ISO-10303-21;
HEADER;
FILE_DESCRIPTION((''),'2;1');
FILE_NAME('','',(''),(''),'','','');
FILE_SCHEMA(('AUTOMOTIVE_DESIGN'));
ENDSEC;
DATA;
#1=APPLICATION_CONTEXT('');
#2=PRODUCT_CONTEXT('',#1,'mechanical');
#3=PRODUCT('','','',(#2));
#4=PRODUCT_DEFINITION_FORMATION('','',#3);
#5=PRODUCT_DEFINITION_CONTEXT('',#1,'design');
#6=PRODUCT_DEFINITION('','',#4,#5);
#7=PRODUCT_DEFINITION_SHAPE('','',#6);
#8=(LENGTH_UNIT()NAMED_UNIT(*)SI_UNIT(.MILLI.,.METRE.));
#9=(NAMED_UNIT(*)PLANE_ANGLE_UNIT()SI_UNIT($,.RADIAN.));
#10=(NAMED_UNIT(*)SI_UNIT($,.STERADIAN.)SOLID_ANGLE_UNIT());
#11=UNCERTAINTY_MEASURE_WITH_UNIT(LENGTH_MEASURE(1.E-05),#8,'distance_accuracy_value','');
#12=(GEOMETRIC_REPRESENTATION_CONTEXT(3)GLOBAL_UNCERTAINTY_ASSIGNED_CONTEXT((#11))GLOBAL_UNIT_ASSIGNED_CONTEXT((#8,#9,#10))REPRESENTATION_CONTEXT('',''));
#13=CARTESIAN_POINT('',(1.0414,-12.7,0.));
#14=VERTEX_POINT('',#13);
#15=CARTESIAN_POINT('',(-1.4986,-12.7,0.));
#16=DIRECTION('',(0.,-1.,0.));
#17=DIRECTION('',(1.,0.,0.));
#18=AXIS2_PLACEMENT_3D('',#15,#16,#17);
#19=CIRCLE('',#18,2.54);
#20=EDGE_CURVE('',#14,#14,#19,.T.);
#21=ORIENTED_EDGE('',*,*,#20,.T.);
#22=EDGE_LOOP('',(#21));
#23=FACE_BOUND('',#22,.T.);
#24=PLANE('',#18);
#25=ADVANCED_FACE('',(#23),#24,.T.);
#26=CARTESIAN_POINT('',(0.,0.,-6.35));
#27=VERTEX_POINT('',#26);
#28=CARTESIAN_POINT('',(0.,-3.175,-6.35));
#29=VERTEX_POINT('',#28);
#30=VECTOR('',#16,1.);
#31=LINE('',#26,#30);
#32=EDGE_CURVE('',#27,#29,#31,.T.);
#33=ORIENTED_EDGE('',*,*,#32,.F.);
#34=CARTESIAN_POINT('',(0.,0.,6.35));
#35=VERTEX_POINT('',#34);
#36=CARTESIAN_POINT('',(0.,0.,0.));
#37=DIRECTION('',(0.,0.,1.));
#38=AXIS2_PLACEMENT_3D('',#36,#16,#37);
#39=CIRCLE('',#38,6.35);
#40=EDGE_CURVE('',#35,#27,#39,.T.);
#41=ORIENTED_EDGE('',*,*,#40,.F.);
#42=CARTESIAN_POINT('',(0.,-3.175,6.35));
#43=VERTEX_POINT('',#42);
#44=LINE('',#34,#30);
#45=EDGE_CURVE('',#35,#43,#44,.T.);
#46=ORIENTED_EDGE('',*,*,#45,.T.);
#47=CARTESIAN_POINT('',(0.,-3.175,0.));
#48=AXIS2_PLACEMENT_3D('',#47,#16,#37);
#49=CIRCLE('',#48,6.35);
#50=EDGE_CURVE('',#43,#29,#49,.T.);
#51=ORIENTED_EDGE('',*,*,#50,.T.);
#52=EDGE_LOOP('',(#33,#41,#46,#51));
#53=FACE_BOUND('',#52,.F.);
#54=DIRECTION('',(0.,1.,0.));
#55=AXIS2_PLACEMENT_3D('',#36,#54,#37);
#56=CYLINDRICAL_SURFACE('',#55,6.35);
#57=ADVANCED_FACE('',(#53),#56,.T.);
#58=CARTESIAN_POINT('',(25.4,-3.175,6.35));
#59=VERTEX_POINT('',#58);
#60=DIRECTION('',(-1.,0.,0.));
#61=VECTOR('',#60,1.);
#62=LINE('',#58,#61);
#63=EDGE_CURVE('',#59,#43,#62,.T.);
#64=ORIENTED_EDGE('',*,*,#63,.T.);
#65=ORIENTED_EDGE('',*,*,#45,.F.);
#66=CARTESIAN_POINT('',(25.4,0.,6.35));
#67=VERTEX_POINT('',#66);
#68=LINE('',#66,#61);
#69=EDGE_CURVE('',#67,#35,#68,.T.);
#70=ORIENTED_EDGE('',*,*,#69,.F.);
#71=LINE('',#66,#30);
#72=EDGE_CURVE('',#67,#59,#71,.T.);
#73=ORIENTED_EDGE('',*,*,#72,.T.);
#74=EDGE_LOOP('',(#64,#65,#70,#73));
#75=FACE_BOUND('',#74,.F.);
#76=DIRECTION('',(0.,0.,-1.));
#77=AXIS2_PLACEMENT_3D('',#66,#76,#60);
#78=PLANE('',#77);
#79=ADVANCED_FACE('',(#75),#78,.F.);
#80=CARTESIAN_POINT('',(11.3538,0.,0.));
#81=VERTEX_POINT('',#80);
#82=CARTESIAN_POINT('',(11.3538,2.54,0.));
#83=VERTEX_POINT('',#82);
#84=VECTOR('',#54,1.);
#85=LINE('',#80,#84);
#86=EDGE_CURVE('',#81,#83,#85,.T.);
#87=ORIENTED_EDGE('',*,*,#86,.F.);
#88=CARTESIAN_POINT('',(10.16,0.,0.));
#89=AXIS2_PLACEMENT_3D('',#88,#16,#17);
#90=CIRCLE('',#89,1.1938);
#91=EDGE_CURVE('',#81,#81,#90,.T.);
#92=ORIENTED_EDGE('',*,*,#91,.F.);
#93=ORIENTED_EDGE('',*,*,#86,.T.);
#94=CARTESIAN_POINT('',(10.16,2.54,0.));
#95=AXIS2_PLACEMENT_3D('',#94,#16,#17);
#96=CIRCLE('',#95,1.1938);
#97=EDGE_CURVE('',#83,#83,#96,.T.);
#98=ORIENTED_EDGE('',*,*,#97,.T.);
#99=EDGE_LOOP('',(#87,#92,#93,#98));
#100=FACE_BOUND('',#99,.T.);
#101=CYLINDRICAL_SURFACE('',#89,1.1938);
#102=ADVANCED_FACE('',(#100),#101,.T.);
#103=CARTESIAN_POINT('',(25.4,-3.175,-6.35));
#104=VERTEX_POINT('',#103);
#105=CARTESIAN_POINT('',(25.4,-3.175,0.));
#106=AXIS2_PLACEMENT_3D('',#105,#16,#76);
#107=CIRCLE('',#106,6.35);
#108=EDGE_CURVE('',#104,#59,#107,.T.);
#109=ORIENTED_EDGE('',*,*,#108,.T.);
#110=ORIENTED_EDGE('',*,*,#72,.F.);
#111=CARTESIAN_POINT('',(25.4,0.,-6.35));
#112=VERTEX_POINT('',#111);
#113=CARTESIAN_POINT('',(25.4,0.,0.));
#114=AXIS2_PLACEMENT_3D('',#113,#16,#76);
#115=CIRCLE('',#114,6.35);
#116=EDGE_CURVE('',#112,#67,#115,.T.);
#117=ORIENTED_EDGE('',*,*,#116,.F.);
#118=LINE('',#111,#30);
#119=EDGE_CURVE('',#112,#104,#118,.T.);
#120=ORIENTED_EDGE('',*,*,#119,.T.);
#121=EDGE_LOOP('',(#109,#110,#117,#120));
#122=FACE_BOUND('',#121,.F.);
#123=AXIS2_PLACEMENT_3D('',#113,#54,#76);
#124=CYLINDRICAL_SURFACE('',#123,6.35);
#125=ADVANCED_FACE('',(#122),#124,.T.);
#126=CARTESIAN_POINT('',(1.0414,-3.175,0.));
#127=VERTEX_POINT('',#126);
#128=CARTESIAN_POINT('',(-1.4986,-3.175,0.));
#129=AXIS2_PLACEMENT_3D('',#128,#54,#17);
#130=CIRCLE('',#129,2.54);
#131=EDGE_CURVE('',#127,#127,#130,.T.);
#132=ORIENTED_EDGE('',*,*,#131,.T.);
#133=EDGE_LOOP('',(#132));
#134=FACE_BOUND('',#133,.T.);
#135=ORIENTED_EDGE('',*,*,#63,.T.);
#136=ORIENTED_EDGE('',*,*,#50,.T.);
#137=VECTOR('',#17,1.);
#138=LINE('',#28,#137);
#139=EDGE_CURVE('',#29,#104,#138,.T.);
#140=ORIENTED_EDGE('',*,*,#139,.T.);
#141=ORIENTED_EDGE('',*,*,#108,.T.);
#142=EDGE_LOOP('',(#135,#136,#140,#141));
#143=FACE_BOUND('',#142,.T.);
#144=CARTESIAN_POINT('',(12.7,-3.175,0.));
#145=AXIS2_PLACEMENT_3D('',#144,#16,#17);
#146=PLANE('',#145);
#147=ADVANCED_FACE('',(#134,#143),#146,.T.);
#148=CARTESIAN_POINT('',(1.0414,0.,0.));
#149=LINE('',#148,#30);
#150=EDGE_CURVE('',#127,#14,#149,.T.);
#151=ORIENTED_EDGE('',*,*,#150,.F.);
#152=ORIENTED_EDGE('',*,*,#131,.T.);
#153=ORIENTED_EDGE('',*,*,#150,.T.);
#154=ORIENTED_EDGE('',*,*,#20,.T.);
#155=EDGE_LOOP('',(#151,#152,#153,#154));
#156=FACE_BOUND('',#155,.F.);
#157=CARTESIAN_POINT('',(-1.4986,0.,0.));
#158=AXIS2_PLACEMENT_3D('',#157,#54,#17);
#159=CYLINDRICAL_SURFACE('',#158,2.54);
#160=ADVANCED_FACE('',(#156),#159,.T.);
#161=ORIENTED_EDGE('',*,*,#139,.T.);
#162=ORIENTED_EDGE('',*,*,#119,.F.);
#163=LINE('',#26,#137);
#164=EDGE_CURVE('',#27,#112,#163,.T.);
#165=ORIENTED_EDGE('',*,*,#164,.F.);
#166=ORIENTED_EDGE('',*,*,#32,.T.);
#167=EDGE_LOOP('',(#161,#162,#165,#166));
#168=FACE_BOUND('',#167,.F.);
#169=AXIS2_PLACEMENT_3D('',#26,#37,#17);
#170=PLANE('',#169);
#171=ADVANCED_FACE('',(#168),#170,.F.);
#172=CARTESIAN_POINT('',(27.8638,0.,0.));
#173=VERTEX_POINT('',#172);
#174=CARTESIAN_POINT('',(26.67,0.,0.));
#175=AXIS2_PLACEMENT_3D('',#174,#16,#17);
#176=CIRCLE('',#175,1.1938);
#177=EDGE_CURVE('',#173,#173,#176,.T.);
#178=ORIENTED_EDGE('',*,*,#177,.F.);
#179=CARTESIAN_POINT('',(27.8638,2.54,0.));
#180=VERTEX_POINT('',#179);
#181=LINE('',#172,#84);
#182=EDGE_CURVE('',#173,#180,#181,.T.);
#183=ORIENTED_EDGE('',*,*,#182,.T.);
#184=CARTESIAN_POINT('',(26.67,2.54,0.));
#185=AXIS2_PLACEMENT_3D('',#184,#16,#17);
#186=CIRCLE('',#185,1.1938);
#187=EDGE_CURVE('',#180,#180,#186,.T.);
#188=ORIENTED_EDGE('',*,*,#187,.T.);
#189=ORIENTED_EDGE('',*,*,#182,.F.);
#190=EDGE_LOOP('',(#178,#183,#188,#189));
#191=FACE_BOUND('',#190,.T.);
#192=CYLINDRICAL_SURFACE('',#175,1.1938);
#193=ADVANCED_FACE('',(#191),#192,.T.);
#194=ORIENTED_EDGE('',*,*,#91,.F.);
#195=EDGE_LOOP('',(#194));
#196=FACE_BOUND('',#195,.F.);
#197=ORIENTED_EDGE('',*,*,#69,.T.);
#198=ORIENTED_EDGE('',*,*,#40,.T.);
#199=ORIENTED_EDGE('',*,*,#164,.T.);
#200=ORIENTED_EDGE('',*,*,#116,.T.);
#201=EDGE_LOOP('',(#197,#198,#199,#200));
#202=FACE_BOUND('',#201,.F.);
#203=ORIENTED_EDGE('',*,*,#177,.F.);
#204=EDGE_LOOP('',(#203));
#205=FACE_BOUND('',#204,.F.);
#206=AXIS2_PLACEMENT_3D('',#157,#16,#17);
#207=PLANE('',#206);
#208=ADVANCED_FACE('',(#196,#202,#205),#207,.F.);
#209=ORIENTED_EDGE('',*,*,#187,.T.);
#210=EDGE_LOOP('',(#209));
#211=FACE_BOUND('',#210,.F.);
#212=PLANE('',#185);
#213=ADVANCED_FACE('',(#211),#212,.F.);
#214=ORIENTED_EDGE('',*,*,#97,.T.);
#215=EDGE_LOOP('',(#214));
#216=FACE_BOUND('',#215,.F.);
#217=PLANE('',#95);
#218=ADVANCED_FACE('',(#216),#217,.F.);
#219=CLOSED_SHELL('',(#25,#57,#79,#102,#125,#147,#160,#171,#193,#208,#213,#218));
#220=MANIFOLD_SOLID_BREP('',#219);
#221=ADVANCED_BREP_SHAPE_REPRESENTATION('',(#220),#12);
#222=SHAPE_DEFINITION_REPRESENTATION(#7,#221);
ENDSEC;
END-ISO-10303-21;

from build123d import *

# Parameters (mm, degrees)
F1_DEPTH = 3.175
F2_R     = 1.1938
F3_DEPTH = 2.54
F4_R     = 2.54
F5_DEPTH = 12.7


with BuildPart() as f1:
    # F0 (on Front) → F1 (new body)
    with BuildSketch(Plane.XZ):
        with BuildLine():
            Line((25.4, 6.35), (0, 6.35))
            ThreePointArc((0, 6.35), (-6.35, 0), (0, -6.35))
            Line((0, -6.35), (25.4, -6.35))
            ThreePointArc((25.4, -6.35), (31.75, 0), (25.4, 6.35))
        make_face()
    extrude(amount=F1_DEPTH)

    # F2 (on Front) → F3 (join)
    with BuildSketch(Plane.XZ):
        with Locations((10.16, 0)):
            Circle(F2_R)
        with Locations((26.67, 0)):
            Circle(F2_R)
    extrude(amount=-F3_DEPTH)

    # F4 (on Front) → F5 (join)
    with BuildSketch(Plane.XZ):
        with Locations((-1.4986, 0)):
            Circle(F4_R)
    extrude(amount=F5_DEPTH)


solid = f1.part
